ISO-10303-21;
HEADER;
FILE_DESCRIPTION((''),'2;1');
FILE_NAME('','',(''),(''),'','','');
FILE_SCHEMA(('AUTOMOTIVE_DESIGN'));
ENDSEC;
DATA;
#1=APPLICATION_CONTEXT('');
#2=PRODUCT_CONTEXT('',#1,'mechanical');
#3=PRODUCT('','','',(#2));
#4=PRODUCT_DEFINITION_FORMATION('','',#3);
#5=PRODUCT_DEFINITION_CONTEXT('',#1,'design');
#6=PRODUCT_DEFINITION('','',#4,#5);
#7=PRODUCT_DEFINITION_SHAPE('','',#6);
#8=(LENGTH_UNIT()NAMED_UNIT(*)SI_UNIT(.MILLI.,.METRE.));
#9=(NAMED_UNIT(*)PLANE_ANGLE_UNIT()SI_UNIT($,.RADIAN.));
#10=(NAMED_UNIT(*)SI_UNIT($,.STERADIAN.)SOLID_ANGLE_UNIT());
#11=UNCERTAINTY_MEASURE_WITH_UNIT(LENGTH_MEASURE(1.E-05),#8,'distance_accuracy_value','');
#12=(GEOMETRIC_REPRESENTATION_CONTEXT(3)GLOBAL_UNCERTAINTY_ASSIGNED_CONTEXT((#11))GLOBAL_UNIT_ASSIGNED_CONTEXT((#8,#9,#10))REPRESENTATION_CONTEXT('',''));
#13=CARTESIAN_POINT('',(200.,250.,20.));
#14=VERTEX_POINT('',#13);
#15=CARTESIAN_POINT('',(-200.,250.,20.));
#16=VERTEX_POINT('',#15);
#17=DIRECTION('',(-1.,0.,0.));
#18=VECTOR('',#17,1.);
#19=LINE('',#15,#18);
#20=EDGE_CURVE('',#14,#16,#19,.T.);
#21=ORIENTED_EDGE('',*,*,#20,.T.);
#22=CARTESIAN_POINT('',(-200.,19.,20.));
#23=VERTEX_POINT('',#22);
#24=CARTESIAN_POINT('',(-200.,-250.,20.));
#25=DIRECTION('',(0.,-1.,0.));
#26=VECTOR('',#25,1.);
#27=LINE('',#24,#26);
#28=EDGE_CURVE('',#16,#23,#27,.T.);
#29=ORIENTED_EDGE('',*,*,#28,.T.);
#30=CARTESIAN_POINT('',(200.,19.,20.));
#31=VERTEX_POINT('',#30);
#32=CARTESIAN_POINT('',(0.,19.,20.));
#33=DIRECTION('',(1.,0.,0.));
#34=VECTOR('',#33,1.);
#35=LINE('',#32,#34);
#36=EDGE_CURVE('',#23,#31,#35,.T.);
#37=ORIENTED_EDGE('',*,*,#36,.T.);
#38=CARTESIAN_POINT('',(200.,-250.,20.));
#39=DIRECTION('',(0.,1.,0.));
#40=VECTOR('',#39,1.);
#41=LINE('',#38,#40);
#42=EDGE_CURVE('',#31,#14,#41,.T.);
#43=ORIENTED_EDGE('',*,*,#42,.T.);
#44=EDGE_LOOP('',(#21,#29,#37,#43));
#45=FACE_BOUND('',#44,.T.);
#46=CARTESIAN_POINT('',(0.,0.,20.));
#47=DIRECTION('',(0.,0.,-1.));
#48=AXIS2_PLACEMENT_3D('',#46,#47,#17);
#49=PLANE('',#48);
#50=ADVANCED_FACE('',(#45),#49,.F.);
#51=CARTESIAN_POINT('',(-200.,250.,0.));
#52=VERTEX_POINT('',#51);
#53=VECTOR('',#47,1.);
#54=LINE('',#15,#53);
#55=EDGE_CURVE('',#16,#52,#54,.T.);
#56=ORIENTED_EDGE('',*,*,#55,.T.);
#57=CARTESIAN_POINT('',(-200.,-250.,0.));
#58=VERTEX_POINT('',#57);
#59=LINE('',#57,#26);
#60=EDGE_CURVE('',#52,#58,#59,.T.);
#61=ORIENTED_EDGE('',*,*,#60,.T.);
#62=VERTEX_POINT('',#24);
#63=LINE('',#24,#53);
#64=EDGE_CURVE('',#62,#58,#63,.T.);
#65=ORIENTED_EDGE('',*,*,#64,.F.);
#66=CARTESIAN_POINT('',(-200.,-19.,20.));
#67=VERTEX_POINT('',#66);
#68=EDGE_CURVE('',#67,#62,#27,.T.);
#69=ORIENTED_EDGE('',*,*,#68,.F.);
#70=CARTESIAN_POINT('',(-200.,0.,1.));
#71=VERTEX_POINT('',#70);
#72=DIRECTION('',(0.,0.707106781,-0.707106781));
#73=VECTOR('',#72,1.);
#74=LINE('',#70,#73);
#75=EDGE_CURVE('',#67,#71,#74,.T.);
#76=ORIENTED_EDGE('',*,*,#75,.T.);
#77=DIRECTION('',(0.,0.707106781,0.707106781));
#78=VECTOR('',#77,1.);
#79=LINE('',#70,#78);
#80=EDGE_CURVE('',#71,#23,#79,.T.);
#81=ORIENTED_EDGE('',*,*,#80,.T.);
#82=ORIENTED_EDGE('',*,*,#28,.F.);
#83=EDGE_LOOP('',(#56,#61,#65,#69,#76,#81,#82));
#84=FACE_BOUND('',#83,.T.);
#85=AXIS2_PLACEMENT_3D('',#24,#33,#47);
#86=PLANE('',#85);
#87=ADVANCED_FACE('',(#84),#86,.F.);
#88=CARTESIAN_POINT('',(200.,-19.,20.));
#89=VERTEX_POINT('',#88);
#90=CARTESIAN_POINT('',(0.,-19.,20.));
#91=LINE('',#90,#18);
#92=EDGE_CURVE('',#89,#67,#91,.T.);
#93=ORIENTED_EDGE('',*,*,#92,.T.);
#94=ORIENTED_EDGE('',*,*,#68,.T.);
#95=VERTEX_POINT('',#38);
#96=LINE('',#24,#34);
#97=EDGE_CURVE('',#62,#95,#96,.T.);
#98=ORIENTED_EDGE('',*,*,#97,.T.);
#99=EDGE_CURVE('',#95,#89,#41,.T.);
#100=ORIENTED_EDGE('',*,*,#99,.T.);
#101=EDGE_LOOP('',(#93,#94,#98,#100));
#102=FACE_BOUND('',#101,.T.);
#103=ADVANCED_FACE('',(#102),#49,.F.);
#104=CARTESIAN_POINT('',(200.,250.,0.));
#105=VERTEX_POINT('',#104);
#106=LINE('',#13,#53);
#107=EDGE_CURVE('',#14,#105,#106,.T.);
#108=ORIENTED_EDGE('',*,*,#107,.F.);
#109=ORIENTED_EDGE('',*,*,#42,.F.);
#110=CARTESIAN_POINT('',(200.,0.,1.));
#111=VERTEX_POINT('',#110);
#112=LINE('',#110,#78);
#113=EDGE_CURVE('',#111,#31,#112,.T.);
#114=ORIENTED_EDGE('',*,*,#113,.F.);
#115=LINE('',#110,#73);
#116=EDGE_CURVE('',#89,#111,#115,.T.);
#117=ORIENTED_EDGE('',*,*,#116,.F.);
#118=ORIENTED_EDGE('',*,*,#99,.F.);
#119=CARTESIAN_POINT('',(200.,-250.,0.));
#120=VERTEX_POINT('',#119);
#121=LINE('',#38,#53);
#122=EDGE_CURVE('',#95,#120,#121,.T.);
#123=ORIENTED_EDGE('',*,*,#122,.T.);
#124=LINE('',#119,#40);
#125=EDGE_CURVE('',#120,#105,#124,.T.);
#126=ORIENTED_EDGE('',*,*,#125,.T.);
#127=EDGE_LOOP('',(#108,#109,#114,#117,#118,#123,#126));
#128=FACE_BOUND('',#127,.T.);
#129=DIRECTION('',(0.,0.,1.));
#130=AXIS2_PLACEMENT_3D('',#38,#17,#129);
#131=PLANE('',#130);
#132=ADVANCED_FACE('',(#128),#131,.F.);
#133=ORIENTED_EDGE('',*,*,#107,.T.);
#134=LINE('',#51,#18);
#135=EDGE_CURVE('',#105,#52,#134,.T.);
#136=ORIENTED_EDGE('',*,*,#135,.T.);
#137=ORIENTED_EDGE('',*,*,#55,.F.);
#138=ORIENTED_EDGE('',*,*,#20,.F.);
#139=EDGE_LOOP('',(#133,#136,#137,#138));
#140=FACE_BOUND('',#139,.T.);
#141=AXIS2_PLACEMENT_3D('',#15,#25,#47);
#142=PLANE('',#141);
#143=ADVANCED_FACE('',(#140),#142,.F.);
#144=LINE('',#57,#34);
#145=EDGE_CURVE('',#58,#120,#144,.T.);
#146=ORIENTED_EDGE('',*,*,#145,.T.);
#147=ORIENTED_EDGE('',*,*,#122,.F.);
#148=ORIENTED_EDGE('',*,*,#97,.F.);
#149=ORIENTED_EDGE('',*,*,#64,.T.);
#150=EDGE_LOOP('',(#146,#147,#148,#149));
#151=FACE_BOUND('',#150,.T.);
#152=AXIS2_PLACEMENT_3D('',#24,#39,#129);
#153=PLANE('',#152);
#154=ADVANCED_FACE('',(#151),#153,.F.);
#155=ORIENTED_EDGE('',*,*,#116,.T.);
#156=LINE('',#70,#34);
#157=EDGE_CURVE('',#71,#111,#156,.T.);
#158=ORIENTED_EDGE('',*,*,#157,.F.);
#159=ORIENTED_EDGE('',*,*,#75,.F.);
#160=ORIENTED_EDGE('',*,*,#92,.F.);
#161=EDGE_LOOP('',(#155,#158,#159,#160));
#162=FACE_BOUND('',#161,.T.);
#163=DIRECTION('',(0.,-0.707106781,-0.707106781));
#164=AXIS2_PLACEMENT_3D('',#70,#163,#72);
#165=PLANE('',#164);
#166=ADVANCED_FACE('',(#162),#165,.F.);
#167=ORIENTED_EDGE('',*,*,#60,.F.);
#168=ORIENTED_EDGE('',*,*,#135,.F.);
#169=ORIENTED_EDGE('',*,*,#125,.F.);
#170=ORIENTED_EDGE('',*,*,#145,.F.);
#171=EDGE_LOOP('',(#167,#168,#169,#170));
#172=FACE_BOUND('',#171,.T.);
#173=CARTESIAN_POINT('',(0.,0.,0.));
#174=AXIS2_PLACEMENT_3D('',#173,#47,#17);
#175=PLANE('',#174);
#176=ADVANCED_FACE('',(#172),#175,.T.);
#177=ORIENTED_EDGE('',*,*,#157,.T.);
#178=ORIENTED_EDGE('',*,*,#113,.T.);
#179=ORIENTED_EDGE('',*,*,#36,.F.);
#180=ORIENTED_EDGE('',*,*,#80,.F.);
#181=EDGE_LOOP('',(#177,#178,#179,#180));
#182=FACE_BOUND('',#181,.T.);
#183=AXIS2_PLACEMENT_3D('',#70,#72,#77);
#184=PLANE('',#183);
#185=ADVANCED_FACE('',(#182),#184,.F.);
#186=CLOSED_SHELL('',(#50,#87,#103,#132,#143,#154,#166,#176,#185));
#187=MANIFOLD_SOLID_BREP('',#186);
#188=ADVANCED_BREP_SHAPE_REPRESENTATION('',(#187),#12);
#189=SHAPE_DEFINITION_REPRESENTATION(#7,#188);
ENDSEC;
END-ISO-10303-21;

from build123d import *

# Parameters (mm, degrees)
SKETCH1_W           = 400
SKETCH1_H           = 500
BOSS_EXTRUDE1_DEPTH = 20
CUT_EXTRUDE2_DEPTH  = 473.122865365


with BuildPart() as part:
    # Sketch1 → Boss-Extrude1 (new body)
    with BuildSketch(Plane.XY):
        Rectangle(SKETCH1_W, SKETCH1_H)
    extrude(amount=BOSS_EXTRUDE1_DEPTH)

    # Sketch2 → Cut-Extrude2 (cut, through all)
    with BuildSketch(Plane(origin=(200, 0, 0), x_dir=(0, 0, -1), z_dir=(1, 0, 0))):
        Polygon((-1, 0), (-20.657237149, 19.657237149), (-20.657237149, -19.657237149), align=None)
    extrude(amount=-CUT_EXTRUDE2_DEPTH, mode=Mode.SUBTRACT)


solid = part.part
